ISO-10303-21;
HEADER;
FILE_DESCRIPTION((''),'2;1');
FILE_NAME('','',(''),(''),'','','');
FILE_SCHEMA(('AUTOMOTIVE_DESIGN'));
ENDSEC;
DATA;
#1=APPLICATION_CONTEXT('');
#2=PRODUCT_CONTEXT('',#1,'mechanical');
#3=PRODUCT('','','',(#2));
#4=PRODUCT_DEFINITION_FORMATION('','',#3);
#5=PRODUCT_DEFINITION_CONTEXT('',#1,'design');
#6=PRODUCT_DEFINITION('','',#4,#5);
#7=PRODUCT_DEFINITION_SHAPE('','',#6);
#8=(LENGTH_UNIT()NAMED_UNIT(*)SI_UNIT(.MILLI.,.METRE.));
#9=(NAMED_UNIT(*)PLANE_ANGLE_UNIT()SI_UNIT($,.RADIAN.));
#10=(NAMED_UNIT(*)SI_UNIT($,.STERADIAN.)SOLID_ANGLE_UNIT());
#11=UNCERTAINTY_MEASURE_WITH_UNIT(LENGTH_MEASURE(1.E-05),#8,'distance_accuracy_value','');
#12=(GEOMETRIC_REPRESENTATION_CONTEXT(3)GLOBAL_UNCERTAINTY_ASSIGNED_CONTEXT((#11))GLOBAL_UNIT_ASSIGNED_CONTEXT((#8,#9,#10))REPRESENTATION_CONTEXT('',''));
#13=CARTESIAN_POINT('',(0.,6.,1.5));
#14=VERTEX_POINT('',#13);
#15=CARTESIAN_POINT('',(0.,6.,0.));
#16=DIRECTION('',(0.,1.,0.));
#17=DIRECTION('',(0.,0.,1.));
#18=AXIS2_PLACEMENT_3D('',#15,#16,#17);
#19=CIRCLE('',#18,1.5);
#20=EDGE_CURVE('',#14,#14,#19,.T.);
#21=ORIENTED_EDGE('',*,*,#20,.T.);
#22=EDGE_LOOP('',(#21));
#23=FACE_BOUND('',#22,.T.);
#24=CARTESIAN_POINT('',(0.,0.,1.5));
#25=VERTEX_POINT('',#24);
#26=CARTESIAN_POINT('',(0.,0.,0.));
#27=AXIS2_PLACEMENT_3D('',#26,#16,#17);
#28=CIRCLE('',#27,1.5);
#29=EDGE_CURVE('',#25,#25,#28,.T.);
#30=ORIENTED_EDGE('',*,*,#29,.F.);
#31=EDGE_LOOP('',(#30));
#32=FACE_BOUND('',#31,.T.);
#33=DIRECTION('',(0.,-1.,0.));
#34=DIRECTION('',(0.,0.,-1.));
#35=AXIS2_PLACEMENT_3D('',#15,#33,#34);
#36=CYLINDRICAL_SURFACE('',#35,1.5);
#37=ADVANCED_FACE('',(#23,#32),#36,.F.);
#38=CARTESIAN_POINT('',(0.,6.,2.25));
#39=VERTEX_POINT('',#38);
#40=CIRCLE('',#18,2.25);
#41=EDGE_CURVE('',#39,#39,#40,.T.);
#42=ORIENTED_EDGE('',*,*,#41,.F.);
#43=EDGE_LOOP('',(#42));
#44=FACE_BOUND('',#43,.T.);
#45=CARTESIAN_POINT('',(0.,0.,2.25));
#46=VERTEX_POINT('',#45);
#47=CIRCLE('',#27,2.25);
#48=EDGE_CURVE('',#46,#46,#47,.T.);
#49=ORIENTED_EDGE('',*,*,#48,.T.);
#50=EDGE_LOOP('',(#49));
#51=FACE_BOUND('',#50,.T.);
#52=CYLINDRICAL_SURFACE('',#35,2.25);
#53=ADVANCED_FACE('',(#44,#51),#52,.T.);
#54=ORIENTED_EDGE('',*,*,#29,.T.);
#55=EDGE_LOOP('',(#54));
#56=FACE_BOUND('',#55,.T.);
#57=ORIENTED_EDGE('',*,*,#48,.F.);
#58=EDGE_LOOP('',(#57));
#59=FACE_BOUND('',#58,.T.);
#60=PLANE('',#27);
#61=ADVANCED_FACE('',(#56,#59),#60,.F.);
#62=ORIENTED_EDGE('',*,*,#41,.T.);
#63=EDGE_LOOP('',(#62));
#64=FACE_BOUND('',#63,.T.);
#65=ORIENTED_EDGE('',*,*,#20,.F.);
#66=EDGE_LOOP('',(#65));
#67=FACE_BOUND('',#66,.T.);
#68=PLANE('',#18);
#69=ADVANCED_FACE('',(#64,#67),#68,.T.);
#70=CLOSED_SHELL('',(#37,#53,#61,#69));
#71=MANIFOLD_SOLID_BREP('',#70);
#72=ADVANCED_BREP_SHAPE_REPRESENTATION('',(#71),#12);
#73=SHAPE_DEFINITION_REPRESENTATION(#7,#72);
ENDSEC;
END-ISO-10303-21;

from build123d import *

# Parameters (mm, degrees)
SKETCH1_R           = 2.25
SKETCH1_R_2         = 1.5
BOSS_EXTRUDE1_DEPTH = 6


with BuildPart() as part:
    # Sketch1 → Boss-Extrude1 (new body)
    with BuildSketch(Plane(origin=(0, 0, 0), x_dir=(1, 0, 0), z_dir=(0, 1, 0))):
        Circle(SKETCH1_R)
        Circle(SKETCH1_R_2, mode=Mode.SUBTRACT)
    extrude(amount=BOSS_EXTRUDE1_DEPTH)


solid = part.part
